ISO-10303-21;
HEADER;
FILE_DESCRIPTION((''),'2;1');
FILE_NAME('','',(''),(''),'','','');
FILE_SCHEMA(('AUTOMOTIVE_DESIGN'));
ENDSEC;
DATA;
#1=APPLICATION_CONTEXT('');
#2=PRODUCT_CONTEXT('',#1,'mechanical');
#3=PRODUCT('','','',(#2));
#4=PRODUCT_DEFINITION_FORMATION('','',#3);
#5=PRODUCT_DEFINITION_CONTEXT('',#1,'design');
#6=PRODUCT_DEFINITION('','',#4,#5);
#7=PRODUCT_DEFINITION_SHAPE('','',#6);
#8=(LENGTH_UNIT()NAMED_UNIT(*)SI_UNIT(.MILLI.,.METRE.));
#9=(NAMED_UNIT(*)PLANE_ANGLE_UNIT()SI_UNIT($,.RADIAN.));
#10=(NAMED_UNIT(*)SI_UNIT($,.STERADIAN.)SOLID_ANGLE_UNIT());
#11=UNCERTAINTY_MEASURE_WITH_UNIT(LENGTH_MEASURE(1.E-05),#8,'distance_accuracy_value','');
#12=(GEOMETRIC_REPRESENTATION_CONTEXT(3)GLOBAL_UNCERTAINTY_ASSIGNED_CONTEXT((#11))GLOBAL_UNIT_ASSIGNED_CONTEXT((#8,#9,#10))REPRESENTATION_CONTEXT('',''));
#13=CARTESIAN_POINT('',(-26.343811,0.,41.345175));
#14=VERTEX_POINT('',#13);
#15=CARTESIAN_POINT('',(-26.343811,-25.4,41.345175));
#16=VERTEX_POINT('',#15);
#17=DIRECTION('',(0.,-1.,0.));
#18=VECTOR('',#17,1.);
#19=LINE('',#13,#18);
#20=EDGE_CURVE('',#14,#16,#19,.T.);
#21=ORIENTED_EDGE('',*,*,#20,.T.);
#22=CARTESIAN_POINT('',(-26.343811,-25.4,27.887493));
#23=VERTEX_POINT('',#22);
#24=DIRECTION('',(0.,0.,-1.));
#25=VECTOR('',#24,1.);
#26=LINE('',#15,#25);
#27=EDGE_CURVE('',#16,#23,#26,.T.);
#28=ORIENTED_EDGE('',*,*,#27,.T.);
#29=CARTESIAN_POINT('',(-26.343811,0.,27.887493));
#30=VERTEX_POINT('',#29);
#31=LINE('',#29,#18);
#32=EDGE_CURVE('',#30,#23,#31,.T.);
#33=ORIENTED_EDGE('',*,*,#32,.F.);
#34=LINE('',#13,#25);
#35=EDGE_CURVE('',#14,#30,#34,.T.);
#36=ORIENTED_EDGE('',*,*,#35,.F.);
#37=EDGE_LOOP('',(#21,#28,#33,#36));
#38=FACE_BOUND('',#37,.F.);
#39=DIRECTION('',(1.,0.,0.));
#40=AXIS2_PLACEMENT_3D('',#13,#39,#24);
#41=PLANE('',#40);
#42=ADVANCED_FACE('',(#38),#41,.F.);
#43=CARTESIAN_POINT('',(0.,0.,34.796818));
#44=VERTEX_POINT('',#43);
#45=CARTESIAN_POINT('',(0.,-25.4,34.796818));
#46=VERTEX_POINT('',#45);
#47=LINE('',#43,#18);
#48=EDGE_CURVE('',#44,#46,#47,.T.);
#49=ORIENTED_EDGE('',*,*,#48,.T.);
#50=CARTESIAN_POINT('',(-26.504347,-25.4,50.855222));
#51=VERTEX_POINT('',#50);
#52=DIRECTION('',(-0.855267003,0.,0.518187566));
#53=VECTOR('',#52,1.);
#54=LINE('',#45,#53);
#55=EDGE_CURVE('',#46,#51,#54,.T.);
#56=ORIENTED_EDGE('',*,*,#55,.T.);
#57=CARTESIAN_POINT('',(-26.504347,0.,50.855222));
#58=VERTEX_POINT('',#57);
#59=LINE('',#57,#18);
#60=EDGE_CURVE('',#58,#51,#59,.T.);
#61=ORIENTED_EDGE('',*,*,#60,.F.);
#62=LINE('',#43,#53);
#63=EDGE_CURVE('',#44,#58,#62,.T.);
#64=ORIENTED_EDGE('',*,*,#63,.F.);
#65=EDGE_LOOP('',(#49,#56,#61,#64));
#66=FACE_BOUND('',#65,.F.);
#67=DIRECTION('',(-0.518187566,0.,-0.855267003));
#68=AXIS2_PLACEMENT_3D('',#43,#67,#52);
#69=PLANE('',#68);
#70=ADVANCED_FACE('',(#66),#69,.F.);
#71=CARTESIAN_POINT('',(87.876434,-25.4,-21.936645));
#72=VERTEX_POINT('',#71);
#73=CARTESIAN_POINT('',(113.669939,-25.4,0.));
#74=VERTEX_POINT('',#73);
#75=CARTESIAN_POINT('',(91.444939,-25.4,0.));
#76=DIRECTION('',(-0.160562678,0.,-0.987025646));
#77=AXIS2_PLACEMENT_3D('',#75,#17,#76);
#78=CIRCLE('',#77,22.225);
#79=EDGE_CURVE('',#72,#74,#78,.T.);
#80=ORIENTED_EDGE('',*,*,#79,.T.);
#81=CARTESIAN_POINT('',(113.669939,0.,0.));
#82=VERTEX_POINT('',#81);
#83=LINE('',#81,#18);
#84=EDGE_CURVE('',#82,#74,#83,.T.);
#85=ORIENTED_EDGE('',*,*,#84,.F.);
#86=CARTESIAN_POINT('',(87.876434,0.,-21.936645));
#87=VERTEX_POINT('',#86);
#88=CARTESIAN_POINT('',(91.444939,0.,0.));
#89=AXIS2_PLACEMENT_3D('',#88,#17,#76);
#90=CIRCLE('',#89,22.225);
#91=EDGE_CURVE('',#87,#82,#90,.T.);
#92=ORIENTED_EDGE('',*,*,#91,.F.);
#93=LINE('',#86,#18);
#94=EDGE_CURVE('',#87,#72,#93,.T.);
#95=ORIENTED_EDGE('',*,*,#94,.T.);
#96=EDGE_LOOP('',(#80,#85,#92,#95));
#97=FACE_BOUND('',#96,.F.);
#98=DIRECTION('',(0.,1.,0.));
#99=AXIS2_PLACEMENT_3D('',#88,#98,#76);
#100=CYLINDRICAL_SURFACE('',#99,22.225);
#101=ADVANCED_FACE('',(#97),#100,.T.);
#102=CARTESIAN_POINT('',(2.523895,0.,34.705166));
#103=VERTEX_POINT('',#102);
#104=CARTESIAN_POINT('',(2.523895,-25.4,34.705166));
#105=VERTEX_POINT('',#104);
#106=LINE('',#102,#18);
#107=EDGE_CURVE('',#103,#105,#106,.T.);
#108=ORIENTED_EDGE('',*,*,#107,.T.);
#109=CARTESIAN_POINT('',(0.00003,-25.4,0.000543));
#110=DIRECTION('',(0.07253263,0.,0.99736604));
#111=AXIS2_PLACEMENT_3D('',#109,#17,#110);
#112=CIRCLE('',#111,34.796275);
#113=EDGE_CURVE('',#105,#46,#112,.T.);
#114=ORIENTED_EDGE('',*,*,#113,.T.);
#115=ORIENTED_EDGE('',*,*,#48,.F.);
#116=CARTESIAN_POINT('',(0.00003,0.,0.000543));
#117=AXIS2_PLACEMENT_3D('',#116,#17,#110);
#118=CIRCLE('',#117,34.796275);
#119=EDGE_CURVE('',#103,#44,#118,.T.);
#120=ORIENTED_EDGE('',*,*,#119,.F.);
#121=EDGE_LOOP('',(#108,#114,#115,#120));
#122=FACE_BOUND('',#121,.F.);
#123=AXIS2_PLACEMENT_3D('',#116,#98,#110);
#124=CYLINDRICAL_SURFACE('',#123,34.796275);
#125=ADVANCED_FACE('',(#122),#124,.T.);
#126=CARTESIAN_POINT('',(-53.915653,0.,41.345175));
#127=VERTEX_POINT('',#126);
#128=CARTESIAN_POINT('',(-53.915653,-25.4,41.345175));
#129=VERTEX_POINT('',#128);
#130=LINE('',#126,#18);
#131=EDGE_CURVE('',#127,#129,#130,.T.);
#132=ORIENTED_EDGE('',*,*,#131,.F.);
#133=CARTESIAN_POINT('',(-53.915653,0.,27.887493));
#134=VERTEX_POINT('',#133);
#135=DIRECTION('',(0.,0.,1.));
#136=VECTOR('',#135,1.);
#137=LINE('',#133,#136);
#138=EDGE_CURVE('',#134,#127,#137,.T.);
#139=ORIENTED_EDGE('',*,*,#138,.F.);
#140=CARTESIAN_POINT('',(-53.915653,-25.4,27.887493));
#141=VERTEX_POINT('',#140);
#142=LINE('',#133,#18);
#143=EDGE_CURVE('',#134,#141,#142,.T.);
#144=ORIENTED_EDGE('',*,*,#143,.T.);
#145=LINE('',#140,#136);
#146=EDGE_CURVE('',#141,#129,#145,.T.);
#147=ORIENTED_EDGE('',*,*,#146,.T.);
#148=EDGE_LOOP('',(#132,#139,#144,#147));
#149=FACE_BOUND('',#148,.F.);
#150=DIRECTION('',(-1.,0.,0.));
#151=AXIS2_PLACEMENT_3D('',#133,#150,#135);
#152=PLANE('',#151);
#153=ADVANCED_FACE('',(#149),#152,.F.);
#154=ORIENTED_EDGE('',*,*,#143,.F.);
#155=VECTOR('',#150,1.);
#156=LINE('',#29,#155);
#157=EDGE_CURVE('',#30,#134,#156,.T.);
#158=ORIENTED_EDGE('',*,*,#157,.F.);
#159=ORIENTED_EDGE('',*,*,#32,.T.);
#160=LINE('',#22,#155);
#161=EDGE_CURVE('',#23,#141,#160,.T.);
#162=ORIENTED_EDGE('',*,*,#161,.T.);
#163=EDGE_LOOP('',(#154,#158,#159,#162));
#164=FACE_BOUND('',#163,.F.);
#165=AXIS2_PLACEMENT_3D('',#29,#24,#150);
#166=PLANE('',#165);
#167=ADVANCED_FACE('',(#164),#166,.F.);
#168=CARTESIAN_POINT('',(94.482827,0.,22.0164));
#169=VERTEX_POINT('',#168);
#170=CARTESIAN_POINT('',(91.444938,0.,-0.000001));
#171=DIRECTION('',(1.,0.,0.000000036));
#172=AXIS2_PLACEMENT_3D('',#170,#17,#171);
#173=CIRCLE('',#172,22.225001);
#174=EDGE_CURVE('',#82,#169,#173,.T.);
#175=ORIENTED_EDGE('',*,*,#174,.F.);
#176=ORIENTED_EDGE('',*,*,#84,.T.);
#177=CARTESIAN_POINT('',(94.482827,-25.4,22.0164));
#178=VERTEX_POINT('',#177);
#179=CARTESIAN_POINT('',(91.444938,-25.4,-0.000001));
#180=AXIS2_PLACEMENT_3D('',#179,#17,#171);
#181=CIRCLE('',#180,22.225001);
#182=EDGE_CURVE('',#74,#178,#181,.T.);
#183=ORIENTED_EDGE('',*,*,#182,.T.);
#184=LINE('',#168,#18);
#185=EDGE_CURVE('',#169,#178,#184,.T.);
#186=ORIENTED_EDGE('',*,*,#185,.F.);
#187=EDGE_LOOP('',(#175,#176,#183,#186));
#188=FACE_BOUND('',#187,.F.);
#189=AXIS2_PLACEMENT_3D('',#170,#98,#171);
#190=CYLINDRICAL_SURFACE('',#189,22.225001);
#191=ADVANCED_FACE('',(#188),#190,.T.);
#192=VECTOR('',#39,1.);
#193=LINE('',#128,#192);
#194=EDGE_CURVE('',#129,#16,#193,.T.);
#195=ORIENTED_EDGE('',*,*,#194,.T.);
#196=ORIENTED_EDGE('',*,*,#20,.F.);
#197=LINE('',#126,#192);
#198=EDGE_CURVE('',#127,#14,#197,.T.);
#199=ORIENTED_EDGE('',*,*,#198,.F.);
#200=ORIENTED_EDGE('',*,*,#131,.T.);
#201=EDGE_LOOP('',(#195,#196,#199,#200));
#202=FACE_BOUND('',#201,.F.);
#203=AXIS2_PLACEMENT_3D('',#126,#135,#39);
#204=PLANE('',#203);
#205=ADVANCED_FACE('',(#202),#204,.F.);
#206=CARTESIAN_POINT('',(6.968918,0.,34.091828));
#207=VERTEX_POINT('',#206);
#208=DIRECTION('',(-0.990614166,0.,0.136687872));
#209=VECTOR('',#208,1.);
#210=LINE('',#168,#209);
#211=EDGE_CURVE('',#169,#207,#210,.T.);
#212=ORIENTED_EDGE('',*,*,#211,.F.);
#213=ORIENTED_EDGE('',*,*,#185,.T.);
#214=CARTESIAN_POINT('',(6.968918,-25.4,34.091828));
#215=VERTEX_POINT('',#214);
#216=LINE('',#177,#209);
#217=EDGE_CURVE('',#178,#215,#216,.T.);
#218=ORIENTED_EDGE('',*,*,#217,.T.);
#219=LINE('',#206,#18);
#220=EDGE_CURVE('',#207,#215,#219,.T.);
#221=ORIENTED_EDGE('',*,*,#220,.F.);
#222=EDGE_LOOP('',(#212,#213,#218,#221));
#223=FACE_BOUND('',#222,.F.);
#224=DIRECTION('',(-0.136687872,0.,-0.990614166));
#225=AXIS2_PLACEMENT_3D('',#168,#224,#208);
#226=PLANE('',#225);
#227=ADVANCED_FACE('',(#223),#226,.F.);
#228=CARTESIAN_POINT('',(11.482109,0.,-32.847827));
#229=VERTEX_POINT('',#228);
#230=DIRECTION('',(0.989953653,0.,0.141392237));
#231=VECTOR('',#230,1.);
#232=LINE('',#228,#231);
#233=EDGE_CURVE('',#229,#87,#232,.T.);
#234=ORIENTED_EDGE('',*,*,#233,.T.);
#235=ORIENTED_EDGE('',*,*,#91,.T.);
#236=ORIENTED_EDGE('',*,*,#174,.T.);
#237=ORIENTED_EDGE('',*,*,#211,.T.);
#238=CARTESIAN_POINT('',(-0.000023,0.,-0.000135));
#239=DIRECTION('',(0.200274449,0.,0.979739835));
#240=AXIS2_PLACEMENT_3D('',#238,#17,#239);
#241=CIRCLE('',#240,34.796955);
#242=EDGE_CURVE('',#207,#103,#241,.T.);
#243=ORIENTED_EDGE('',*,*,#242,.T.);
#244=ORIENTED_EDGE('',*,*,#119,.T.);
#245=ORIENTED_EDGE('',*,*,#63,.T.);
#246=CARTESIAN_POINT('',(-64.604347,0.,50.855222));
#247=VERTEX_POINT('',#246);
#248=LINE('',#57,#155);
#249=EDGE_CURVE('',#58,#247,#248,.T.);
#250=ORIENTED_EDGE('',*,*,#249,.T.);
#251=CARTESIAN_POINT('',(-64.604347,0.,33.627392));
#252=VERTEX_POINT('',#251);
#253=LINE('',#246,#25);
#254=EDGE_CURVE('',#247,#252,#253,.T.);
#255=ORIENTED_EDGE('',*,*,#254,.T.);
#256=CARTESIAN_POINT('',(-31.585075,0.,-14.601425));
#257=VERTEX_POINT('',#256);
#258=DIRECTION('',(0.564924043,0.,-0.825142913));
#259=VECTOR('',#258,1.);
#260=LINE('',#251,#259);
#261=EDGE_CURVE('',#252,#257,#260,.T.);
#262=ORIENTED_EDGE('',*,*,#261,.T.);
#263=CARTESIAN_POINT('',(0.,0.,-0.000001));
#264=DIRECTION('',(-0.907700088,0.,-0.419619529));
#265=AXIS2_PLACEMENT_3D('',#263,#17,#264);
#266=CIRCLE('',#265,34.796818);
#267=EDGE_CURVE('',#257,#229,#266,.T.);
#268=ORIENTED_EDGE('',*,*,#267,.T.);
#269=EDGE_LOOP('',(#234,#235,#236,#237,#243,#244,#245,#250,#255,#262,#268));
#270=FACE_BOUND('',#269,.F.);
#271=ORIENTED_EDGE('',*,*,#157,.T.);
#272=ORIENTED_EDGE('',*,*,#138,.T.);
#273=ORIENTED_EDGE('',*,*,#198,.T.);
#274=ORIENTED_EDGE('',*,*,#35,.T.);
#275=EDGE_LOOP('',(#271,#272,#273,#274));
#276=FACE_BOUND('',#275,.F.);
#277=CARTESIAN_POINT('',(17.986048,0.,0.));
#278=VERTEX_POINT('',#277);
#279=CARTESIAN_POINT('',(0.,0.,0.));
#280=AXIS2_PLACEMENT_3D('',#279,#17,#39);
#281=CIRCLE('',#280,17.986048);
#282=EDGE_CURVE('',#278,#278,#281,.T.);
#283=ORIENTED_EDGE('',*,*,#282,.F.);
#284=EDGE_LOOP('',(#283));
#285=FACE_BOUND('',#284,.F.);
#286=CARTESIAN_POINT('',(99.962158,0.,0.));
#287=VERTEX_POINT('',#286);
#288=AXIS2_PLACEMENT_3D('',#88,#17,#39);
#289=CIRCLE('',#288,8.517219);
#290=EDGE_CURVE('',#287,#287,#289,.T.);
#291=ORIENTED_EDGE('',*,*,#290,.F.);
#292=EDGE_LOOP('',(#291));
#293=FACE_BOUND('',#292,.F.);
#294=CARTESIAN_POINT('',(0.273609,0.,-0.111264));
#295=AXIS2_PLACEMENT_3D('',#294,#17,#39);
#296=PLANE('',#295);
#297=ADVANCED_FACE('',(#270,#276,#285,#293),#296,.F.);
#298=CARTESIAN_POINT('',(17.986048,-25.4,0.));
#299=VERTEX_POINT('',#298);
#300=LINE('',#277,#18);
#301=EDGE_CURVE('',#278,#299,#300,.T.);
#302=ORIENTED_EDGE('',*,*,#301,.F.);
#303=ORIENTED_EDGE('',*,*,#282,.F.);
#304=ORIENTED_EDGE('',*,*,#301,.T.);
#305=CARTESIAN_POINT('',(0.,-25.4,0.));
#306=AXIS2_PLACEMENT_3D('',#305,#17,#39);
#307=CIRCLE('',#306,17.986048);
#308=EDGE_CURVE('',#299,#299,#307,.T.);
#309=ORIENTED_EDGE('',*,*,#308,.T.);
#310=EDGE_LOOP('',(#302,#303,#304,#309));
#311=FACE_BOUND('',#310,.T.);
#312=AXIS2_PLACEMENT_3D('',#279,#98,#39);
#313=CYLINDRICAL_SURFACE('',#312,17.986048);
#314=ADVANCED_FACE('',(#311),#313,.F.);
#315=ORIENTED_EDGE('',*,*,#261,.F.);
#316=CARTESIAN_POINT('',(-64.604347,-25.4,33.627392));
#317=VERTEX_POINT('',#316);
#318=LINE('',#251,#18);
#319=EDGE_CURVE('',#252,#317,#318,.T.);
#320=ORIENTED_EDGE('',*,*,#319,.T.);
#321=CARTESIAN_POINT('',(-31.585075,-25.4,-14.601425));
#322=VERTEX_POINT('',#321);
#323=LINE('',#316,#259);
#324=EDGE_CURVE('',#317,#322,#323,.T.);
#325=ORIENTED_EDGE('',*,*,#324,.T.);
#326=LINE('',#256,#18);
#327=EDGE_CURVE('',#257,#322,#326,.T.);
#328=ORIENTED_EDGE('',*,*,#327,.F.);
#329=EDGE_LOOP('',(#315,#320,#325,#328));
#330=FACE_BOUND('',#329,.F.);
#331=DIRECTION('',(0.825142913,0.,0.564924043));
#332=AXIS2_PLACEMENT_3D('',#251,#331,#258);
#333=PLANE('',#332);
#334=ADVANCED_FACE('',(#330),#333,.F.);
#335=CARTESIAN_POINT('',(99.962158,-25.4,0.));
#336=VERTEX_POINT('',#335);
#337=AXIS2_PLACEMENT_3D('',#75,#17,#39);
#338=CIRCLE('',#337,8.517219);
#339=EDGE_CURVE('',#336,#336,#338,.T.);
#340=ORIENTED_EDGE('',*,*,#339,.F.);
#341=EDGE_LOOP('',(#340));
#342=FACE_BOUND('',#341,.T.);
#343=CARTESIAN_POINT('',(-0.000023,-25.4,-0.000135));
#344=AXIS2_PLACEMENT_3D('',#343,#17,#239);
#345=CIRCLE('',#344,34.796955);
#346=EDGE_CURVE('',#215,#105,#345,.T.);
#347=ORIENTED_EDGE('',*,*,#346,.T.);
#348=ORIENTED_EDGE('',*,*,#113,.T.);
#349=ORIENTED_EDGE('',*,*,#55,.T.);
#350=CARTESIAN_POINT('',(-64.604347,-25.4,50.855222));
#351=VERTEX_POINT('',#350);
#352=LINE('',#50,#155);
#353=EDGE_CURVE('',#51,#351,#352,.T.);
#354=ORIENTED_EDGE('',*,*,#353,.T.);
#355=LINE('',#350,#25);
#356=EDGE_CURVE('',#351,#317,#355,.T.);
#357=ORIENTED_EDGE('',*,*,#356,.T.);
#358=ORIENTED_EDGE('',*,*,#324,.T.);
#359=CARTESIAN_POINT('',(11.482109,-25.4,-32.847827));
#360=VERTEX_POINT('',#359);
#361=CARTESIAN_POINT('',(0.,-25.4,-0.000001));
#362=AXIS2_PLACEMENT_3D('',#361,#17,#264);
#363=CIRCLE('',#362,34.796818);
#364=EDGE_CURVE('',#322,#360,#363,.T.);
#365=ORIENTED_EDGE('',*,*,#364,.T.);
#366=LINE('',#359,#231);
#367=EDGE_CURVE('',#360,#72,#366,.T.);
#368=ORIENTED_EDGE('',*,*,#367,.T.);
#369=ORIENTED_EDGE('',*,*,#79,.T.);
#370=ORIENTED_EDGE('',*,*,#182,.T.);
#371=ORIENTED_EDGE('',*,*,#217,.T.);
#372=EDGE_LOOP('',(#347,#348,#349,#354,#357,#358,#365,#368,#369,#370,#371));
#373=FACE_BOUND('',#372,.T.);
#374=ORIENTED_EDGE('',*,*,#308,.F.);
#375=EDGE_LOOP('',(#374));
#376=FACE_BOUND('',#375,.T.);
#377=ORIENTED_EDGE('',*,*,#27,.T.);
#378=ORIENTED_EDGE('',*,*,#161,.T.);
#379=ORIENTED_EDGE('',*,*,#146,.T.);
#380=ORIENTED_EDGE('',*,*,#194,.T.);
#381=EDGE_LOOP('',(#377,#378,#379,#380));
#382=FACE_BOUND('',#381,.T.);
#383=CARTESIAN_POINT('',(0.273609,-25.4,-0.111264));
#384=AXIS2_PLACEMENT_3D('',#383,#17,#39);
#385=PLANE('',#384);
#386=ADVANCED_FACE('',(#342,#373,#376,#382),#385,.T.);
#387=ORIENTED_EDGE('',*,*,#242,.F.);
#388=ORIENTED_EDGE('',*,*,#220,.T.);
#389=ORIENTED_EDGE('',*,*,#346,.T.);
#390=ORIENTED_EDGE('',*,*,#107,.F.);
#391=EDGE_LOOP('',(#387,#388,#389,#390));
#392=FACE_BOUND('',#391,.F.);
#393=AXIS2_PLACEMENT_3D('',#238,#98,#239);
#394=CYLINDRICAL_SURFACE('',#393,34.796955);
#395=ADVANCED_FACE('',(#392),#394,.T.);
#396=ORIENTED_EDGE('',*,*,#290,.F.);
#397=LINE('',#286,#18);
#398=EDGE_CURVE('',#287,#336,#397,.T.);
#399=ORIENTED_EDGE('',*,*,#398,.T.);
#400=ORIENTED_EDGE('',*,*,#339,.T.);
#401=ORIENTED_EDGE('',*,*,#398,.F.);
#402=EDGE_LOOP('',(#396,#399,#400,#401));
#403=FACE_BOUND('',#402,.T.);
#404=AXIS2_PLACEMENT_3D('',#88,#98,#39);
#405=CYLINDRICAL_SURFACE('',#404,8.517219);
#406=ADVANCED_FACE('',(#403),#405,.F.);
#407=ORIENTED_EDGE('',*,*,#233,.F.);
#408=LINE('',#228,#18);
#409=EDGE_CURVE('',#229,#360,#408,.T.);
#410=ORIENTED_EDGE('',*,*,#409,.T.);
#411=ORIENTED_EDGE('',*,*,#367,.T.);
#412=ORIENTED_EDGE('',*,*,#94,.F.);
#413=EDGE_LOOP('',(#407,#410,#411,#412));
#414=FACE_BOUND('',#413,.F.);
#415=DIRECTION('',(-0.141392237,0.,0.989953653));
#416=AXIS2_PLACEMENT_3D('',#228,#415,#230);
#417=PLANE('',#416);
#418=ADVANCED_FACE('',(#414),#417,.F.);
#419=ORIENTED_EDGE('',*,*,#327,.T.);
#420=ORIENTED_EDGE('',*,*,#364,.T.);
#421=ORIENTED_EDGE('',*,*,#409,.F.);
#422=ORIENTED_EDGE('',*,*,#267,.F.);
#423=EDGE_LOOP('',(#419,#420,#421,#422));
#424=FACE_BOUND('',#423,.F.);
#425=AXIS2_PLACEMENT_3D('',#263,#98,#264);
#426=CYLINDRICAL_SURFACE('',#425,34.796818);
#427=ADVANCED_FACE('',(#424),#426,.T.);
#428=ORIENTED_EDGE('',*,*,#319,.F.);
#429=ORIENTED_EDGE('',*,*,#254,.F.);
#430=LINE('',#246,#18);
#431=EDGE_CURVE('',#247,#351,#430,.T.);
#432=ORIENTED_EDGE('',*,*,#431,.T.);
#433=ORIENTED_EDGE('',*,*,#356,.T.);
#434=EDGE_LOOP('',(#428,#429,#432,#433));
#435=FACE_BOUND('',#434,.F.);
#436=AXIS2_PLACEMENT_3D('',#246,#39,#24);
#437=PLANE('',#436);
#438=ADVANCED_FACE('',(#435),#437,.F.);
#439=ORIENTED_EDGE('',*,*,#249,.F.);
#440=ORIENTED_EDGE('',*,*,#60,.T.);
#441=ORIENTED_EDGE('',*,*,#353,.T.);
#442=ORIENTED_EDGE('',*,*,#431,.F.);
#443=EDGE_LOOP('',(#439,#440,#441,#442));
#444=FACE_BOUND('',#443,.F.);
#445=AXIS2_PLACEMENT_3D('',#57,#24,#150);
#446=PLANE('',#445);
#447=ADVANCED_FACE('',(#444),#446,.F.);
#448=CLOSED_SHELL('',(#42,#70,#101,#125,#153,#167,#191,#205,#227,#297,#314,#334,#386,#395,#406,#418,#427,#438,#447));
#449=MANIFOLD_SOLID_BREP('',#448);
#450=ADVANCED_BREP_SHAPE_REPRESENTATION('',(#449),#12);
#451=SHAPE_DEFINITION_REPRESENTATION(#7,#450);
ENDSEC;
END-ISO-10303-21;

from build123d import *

# Parameters (mm, degrees)
F0_R     = 17.986048
F0_R_2   = 8.517219
F1_DEPTH = 25.4


with BuildPart() as f1:
    # F0 (on Front) → F1 (new body)
    with BuildSketch(Plane.XZ):
        with BuildLine():
            Line((6.968918, 34.091828), (2.523895, 34.705166))
            ThreePointArc((2.523895, 34.705166), (1.262779, 34.773898), (0, 34.796818))
            ThreePointArc((0, 34.796818), (-29.316392, 18.744805), (-31.585075, -14.601425))
            ThreePointArc((-31.585075, -14.601425), (-13.574429, -32.039873), (11.482109, -32.847827))
            ThreePointArc((11.482109, -32.847827), (28.375689, -20.140478), (34.796818, 0))
            ThreePointArc((34.796818, 0), (26.956583, 22.003663), (6.968918, 34.091828))
        make_face()
        Circle(F0_R, mode=Mode.SUBTRACT)
        with BuildLine():
            ThreePointArc((6.968918, 34.091828), (4.756303, 34.470221), (2.523895, 34.705166))
            Line((2.523895, 34.705166), (6.968918, 34.091828))
        make_face()
        Polygon((-26.343811, 34.796818), (0, 34.796818), (-26.504347, 50.855222), (-26.504347, 41.345175), (-26.343811, 41.345175), align=None)
        with BuildLine():
            ThreePointArc((-31.585075, -14.601425), (-29.316392, 18.744805), (0, 34.796818))
            Line((0, 34.796818), (-26.343811, 34.796818))
            Line((-26.343811, 34.796818), (-26.343811, 27.887493))
            Line((-26.343811, 27.887493), (-53.915653, 27.887493))
            Line((-53.915653, 27.887493), (-53.915653, 33.627392))
            Line((-53.915653, 33.627392), (-64.604347, 33.627392))
            Line((-64.604347, 33.627392), (-31.585075, -14.601425))
        make_face()
        with BuildLine():
            Line((94.482827, 22.0164), (6.968918, 34.091828))
            ThreePointArc((6.968918, 34.091828), (26.956583, 22.003663), (34.796818, 0))
            ThreePointArc((34.796818, 0), (28.375689, -20.140478), (11.482109, -32.847827))
            Line((11.482109, -32.847827), (87.876434, -21.936645))
            ThreePointArc((87.876434, -21.936645), (69.466815, 3.303437), (94.482827, 22.0164))
        make_face()
        Polygon((-26.504347, 41.345175), (-26.504347, 50.855222), (-64.604347, 50.855222), (-64.604347, 33.627392), (-53.915653, 33.627392), (-53.915653, 41.345175), align=None)
        with BuildLine():
            ThreePointArc((113.669939, 0), (108.200053, 14.601944), (94.482827, 22.0164))
            ThreePointArc((94.482827, 22.0164), (69.466815, 3.303437), (87.876434, -21.936645))
            ThreePointArc((87.876434, -21.936645), (105.843561, -16.93016), (113.669939, 0))
        make_face()
        with Locations((91.444939, 0)):
            Circle(F0_R_2, mode=Mode.SUBTRACT)
    extrude(amount=F1_DEPTH)


solid = f1.part
